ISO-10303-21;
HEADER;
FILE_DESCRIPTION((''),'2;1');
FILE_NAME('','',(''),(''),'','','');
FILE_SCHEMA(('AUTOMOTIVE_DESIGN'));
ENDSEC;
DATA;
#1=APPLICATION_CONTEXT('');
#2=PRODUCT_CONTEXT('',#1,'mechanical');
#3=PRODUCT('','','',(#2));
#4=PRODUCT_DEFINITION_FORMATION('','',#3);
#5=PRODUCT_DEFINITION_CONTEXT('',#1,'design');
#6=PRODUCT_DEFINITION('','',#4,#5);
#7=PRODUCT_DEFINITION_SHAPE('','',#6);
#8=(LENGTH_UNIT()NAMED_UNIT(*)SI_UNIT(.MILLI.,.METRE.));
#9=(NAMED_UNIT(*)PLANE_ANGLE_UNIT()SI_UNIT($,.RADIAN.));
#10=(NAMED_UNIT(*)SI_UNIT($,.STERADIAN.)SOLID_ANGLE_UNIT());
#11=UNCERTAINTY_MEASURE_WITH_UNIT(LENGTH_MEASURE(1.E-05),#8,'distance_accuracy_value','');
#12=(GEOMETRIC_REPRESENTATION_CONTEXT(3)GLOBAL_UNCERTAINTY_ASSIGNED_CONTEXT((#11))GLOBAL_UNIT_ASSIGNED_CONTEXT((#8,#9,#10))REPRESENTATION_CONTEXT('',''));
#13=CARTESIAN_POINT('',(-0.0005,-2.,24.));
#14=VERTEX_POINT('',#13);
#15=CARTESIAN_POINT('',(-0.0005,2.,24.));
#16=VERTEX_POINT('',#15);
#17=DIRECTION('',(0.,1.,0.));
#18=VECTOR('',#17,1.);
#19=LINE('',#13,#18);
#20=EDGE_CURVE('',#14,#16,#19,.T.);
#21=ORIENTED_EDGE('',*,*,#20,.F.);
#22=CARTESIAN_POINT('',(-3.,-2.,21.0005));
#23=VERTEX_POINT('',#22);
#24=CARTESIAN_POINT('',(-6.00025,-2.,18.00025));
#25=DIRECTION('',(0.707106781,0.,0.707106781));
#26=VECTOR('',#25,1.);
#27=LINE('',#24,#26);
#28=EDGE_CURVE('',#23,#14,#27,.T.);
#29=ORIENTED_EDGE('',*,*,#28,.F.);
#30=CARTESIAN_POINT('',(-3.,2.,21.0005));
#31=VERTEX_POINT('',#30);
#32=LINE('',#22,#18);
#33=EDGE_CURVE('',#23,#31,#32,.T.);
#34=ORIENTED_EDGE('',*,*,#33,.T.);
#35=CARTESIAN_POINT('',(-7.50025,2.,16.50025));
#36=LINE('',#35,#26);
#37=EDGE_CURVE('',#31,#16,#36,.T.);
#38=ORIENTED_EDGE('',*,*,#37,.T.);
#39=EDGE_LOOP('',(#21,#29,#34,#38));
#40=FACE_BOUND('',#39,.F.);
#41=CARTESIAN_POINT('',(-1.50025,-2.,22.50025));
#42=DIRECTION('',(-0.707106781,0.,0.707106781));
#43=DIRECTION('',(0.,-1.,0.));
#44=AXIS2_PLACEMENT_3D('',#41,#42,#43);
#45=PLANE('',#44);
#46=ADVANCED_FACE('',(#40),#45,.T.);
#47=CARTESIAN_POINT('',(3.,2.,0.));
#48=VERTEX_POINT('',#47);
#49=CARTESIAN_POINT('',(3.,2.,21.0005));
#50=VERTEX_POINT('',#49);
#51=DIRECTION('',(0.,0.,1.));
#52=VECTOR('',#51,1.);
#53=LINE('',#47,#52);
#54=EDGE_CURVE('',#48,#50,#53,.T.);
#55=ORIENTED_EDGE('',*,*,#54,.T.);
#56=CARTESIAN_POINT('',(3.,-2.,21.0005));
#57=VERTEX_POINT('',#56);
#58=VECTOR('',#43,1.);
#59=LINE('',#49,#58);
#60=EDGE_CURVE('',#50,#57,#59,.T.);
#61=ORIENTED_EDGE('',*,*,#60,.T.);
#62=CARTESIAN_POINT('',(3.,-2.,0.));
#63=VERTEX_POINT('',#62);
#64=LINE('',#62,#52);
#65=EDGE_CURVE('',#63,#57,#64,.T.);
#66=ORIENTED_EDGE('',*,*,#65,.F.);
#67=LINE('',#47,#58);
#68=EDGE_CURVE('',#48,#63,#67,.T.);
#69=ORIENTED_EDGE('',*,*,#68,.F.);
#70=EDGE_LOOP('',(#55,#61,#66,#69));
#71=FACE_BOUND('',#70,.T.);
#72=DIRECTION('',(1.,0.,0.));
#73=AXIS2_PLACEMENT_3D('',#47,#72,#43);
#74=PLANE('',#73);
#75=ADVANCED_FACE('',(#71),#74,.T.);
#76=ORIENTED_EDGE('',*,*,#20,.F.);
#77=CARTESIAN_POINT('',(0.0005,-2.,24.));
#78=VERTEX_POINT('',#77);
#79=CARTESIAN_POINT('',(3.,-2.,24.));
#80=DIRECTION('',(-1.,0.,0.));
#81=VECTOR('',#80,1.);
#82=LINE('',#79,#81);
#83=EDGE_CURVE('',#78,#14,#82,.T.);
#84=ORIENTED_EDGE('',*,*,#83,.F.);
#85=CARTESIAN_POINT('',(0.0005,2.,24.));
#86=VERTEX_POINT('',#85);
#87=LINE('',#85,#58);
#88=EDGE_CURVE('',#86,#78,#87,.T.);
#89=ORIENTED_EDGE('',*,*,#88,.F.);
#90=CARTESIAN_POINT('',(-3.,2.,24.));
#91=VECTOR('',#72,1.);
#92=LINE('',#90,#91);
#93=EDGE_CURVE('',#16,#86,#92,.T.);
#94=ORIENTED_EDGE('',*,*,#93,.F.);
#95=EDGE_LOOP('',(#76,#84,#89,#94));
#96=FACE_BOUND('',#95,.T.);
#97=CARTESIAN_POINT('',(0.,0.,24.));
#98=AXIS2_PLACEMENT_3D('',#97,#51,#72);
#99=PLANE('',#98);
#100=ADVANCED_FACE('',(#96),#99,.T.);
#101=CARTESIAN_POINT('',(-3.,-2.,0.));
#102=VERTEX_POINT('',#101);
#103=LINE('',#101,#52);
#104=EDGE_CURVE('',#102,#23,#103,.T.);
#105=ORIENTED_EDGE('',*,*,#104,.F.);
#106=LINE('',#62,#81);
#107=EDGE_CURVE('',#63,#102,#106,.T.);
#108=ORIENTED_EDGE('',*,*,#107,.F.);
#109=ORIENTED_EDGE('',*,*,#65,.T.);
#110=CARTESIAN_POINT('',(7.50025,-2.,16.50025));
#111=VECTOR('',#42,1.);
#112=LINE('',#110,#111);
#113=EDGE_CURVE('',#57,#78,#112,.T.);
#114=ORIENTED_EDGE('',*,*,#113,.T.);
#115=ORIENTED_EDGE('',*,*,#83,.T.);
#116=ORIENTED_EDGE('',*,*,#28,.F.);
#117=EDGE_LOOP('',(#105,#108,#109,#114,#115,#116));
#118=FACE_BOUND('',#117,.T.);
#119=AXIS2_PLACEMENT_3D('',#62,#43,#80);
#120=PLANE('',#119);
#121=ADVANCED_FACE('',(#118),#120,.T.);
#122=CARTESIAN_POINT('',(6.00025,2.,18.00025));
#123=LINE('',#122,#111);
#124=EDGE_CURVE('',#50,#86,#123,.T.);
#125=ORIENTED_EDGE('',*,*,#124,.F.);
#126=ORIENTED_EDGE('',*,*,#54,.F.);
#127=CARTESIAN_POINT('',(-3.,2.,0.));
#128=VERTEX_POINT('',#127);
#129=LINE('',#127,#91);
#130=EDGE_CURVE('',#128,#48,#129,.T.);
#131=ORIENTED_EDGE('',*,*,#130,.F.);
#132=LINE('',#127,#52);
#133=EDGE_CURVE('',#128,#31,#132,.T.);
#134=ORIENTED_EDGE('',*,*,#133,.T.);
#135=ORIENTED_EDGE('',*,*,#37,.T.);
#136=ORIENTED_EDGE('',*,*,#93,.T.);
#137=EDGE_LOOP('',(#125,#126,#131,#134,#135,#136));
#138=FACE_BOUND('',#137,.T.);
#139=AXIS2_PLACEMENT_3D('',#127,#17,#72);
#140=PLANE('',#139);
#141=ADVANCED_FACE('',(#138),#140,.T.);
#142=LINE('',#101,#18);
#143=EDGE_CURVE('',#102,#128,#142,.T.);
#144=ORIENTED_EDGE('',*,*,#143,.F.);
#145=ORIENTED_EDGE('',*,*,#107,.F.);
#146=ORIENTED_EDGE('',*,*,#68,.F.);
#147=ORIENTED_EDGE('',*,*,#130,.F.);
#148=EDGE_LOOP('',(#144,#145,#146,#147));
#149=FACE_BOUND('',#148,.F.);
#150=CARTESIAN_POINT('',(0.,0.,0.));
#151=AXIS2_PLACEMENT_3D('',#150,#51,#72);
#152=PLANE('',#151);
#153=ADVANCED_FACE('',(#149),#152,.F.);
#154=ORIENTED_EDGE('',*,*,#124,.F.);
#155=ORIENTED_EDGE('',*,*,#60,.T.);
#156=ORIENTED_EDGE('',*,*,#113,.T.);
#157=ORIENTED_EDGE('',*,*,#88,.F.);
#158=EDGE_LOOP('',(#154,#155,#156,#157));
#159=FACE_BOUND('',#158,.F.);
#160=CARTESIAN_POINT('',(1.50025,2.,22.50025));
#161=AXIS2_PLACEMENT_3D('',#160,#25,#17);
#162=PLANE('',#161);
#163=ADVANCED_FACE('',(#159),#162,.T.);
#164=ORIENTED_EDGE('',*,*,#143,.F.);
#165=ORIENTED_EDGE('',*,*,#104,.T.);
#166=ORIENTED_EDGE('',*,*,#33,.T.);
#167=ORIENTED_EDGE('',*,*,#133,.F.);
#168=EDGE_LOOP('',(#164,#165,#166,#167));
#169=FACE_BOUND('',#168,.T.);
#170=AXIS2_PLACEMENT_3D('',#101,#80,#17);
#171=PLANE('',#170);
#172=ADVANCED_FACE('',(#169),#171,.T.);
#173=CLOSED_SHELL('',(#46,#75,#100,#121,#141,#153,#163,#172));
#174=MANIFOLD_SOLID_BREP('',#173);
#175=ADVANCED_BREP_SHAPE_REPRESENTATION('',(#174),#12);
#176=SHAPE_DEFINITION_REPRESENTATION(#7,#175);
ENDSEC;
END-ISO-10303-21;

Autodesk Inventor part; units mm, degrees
ref_plane "YZ Plane" through (0, 0, 0) normal (1, 0, 0) x (0, 1, 0)
ref_plane "XZ Plane" through (0, 0, 0) normal (0, 1, 0) x (-1, 0, 0)
ref_plane "XY Plane" through (0, 0, 0) normal (0, 0, 1) x (1, 0, 0)
sketch "Esboço1" plane through (0, 0, 0) normal (0, 0, 1) x (1, 0, 0)
  line L0 (-3, 2) -> (3, 2)
  line L1 (3, 2) -> (3, -2)
  line L2 (3, -2) -> (-3, -2)
  line L3 (-3, -2) -> (-3, 2)
  line L4 (-3, 2) -> (3, -2) construction
  line L5 (3, 2) -> (-3, -2) construction
  point P0 (0, 0)
  dimension "d0" = 6
  dimension "d1" = 4
extrude "Extrusão1" add sketch "Esboço1" along normal blind 24
chamfer "Chanfro1" distance 3 angle 45 2 edges at (3, 0, 24) (-3, 0, 24)
properties part number "PEÇA MOVEL"
